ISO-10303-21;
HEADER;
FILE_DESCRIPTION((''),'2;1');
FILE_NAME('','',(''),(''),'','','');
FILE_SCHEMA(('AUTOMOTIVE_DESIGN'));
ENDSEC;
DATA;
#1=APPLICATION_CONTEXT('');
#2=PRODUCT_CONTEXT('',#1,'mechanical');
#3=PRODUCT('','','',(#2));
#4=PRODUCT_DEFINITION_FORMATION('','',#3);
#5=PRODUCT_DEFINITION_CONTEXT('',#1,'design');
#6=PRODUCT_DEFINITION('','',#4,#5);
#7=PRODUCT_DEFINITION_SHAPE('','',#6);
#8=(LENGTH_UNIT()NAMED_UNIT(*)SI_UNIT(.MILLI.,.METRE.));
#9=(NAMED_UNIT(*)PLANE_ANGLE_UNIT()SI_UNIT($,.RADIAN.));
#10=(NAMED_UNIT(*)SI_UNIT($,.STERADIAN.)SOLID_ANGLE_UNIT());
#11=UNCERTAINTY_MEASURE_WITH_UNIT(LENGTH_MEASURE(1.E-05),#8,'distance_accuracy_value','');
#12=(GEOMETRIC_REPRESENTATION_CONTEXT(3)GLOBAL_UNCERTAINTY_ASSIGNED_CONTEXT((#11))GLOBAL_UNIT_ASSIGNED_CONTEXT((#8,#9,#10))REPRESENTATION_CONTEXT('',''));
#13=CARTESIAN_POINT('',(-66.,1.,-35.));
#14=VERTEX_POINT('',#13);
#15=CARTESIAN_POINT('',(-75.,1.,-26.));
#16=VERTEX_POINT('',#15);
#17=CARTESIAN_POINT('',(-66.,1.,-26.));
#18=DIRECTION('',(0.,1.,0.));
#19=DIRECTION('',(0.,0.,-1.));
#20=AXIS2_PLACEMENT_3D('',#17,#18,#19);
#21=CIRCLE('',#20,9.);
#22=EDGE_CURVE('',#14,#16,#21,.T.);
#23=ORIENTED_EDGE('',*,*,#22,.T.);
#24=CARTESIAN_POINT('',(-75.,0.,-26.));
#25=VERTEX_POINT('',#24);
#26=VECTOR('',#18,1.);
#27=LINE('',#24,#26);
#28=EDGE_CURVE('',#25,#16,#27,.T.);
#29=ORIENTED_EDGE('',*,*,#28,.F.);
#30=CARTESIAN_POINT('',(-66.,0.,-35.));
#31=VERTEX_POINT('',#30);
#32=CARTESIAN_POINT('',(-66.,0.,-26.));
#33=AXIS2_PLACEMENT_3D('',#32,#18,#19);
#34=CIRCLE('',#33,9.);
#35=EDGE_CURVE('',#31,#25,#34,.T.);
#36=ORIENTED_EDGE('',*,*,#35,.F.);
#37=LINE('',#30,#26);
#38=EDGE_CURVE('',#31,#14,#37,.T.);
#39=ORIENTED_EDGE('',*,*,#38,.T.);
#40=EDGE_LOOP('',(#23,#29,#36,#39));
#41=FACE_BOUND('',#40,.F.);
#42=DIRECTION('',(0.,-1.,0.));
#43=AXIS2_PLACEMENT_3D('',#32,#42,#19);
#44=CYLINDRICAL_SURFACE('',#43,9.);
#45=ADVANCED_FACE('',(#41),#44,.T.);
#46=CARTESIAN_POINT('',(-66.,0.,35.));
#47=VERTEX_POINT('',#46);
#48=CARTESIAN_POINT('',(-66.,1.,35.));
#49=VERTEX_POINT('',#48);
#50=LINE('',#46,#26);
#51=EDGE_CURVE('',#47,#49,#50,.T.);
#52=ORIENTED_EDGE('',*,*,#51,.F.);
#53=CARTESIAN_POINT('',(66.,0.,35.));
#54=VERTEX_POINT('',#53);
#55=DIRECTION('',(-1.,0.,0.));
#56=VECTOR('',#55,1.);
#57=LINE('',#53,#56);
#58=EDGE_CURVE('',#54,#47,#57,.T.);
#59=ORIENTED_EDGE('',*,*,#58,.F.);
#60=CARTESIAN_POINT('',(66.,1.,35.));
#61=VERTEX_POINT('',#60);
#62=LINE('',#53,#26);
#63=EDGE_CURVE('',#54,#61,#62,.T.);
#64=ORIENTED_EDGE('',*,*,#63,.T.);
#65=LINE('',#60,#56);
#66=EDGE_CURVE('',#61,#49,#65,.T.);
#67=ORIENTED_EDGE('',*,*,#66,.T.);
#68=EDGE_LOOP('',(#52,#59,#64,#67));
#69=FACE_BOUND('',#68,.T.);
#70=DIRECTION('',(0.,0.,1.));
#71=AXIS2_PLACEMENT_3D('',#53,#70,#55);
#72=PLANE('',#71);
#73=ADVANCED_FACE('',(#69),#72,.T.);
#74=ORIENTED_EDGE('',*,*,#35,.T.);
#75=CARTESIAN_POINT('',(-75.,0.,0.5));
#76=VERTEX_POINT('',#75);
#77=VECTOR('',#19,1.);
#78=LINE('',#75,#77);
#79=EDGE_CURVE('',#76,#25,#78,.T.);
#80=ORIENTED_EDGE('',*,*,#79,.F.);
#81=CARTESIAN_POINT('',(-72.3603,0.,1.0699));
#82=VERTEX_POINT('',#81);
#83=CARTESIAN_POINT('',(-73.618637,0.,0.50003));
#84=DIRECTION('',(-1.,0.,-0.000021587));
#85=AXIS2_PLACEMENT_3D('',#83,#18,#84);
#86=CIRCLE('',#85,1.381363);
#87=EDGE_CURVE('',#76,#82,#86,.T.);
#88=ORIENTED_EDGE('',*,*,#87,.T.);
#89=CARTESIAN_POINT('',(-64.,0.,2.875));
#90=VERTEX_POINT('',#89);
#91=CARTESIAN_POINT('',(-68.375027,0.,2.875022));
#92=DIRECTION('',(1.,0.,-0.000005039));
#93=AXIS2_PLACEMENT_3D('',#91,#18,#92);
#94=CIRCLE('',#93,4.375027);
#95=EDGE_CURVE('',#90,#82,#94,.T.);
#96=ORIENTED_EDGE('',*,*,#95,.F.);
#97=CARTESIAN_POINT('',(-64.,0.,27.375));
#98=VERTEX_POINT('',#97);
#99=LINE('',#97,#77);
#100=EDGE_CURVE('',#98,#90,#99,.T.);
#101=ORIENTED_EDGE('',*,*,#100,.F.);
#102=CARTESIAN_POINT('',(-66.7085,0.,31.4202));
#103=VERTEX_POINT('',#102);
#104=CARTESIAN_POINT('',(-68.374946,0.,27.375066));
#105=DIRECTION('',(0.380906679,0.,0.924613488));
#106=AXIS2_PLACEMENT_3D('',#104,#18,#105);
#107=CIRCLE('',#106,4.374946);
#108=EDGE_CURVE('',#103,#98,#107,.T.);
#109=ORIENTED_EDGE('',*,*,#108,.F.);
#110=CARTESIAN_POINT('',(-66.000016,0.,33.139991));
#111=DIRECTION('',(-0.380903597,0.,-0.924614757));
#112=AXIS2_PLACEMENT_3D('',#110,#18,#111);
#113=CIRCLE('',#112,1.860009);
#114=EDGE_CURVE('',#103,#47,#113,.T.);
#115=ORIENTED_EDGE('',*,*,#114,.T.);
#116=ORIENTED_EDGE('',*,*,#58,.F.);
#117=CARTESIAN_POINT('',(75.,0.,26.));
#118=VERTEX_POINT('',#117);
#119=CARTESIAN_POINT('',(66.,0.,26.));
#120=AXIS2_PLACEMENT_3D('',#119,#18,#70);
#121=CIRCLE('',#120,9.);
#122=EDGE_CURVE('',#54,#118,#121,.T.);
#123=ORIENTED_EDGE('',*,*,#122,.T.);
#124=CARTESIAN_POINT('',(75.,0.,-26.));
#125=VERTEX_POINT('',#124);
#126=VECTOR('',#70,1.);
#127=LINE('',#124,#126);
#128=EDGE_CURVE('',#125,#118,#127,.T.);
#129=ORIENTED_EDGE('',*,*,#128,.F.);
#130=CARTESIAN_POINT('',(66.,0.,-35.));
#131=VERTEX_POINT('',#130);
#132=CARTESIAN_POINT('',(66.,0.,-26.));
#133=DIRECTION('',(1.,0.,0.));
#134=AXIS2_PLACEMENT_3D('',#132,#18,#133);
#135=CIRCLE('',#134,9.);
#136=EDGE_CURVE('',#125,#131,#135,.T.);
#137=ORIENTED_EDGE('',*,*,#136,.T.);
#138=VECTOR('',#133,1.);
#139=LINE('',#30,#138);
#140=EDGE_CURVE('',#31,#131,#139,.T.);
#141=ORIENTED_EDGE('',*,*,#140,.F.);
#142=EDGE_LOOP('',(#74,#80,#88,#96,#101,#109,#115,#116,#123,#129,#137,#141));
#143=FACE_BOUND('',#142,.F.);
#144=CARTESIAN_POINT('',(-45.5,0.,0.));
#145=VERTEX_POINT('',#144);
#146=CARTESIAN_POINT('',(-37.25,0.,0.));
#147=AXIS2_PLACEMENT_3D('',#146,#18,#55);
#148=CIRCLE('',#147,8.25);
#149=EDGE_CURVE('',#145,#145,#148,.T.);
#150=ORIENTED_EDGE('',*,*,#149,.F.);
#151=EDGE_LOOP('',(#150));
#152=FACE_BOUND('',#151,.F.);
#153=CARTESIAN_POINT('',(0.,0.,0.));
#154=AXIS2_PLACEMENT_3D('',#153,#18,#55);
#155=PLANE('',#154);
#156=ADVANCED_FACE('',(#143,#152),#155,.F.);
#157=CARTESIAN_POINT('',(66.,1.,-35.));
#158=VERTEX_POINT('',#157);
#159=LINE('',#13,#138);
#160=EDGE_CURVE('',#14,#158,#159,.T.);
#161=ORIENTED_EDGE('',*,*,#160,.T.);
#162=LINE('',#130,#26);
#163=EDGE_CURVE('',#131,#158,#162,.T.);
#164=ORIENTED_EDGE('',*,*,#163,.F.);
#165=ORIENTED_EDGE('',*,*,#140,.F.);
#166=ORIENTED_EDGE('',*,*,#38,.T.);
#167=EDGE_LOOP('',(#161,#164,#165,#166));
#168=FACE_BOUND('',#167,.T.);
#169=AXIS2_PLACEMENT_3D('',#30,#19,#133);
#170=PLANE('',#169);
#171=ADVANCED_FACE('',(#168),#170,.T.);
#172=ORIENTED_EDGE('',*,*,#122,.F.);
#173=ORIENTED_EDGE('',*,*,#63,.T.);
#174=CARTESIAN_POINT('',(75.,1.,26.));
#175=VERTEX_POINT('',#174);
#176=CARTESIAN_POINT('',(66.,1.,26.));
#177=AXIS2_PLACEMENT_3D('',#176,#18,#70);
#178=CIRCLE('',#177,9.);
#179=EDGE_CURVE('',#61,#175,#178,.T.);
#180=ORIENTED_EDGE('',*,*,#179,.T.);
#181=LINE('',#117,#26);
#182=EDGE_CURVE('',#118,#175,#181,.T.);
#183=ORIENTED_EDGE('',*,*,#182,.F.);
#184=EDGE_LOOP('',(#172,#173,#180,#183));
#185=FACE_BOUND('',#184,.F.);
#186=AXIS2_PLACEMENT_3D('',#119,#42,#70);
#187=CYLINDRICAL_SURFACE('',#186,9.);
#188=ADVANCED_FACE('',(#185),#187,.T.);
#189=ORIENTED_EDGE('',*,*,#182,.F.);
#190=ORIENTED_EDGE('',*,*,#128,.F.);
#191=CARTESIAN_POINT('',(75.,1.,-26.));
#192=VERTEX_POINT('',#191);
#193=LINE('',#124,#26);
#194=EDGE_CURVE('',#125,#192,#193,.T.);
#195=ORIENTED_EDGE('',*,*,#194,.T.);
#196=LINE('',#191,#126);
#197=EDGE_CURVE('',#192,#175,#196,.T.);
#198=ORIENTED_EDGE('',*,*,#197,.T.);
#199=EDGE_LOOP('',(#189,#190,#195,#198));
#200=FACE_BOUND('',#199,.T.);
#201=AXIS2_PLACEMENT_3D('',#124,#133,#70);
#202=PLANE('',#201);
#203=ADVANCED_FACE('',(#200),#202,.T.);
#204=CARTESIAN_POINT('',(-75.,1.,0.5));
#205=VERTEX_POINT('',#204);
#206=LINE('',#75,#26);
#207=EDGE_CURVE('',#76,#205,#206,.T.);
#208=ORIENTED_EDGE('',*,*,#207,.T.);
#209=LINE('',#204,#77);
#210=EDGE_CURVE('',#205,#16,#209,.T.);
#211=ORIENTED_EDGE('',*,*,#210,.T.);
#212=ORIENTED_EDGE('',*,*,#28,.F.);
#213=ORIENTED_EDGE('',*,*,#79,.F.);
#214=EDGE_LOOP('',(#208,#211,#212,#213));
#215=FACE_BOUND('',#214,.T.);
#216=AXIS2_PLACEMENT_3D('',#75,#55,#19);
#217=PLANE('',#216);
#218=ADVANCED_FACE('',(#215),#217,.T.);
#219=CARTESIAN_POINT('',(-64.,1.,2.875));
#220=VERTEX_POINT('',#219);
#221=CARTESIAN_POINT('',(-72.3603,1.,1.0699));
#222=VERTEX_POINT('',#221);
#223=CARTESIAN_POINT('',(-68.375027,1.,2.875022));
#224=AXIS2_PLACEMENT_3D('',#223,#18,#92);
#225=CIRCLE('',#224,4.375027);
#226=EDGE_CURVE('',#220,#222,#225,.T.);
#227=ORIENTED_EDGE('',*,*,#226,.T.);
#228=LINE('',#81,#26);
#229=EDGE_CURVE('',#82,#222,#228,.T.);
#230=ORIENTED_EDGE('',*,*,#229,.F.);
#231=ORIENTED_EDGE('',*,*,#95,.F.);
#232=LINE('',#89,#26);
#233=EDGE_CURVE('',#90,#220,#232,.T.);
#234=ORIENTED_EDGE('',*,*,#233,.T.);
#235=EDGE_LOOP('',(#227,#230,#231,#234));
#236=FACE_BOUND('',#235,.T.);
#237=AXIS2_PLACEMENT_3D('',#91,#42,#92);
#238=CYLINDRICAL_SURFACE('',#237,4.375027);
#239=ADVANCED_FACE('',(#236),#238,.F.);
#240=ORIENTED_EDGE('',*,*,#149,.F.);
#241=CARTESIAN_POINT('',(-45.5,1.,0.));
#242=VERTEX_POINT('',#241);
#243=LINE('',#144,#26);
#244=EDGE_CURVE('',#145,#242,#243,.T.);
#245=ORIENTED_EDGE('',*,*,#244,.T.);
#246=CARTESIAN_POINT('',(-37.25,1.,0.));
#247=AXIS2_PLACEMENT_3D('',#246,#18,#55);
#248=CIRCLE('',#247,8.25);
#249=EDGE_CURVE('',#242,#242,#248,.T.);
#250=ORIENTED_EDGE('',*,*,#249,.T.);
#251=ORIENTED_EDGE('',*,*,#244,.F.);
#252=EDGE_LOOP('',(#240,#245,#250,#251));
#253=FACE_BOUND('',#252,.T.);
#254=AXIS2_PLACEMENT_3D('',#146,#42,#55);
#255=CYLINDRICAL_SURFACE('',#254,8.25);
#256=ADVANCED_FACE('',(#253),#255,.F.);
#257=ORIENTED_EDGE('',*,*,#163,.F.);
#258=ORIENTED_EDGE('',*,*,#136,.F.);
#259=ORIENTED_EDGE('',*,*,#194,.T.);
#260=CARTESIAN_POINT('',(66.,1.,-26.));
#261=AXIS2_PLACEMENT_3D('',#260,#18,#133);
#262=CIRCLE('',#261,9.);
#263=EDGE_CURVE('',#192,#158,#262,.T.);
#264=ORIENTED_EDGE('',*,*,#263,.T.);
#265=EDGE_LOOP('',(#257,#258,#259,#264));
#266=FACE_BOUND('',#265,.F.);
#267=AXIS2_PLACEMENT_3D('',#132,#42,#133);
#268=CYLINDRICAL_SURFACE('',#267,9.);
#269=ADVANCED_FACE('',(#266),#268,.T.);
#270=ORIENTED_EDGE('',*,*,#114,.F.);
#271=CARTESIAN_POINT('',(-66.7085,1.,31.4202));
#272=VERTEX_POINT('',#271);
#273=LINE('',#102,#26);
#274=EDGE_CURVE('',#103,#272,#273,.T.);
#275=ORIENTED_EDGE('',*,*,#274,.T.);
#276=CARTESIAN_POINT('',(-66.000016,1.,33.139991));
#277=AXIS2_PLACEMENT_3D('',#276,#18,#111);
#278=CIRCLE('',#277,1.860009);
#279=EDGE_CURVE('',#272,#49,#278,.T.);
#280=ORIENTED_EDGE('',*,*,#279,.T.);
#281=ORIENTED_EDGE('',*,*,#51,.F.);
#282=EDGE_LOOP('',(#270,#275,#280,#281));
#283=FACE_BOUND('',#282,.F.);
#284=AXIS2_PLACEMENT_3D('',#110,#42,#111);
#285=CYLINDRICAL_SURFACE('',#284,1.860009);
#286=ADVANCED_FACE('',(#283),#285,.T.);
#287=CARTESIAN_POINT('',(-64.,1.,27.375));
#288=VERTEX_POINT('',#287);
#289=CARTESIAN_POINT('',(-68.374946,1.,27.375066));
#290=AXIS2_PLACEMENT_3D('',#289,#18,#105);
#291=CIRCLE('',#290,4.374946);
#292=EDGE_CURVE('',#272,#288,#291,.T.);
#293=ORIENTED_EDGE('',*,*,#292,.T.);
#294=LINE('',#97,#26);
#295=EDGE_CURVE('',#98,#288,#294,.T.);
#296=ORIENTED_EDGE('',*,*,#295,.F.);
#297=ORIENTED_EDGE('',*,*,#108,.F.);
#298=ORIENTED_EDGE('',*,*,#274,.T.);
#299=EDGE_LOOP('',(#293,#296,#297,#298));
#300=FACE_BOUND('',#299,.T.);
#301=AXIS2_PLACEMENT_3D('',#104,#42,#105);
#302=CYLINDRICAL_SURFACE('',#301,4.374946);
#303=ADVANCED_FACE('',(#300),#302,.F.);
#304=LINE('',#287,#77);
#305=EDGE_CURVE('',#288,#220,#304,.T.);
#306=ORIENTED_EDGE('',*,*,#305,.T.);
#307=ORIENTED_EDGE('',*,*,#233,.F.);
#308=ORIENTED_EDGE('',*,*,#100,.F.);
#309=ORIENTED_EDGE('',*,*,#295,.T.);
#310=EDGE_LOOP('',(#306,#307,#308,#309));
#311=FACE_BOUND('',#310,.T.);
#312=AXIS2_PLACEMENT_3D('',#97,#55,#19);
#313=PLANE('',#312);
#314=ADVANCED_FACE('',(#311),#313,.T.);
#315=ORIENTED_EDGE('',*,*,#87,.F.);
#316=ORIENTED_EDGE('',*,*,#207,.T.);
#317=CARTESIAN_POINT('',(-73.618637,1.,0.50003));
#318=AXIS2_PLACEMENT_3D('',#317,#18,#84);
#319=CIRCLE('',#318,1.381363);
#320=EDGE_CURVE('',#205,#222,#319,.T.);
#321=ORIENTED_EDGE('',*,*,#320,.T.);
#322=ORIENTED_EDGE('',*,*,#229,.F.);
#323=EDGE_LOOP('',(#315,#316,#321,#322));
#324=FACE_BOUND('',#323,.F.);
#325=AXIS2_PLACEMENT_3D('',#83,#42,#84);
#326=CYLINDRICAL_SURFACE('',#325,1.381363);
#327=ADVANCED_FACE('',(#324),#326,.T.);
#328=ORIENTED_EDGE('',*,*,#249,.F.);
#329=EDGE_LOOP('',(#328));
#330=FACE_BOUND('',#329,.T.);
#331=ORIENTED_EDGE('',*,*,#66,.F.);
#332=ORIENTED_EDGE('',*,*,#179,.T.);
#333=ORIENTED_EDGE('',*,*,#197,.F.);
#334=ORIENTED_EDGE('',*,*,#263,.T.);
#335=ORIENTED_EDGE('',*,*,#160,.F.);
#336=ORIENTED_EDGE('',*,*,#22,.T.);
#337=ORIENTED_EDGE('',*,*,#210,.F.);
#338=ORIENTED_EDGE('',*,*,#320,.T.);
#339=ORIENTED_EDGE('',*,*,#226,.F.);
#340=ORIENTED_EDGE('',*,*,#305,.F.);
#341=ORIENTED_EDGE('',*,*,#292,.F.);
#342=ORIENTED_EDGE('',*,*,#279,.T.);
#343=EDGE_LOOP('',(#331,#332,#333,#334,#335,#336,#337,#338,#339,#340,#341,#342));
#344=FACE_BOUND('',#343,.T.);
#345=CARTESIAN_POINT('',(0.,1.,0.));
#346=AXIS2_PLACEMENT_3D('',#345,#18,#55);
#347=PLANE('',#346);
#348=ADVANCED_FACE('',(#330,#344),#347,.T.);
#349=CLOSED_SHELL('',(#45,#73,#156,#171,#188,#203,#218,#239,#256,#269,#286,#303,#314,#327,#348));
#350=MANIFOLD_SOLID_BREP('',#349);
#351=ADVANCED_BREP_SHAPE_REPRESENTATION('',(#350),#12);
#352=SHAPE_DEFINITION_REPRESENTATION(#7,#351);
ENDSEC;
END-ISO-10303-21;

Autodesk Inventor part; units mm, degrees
ref_plane "YZ Plane" through (0, 0, 0) normal (1, 0, 0) x (0, 1, 0)
ref_plane "XZ Plane" through (0, 0, 0) normal (0, 1, 0) x (-1, 0, 0)
ref_plane "XY Plane" through (0, 0, 0) normal (0, 0, 1) x (1, 0, 0)
sketch "Sketch1" plane through (0, 0, 0) normal (0, 1, 0) x (-1, 0, 0)
  line L0 (-75, 35) -> (-66, 35) construction
  line L1 (75, 35) -> (75, 26) construction
  line L2 (75, -35) -> (66, -35) construction
  line L3 (-75, -35) -> (-75, -26) construction
  line L4 (-75, 35) -> (75, -35) construction
  line L5 (75, 35) -> (-75, -35) construction
  arc A0 (75, 26) -> (66, 35) centre (66, 26) ccw construction
  arc A1 (66, -35) -> (75, -26) centre (66, -26) ccw
  arc A2 (-75, -26) -> (-66, -35) centre (-66, -26) ccw
  arc A3 (-66, 35) -> (-75, 26) centre (-66, 26) ccw
  line L6 (75, 26) -> (75, 0.5) construction
  line L7 (66, 35) -> (75, 35) construction
  line L8 (-66, 35) -> (66, 35)
  line L9 (-75, 26) -> (-75, 35) construction
  line L10 (-75, -26) -> (-75, 26)
  line L11 (-66, -35) -> (-75, -35) construction
  line L12 (66, -35) -> (-66, -35)
  line L13 (75, -26) -> (75, -35) construction
  circle A4 centre (37.25, 0) radius 8.25
  line L14 (64, 27.375) -> (64, 2.875)
  arc A5 (66.7085, 31.4202) -> (66, 35) centre (66, 33.14) ccw
  arc A6 (64, 2.875) -> (72.3603, 1.0699) centre (68.375, 2.875) ccw
  arc A7 (75, 0.5) -> (72.3603, 1.0699) centre (73.6186, 0.5) ccw
  line L15 (66, 35) -> (66, 35) construction
  line L16 (75, 0.5) -> (75, -26)
  arc A8 (66.7085, 31.4202) -> (64, 27.375) centre (68.375, 27.375) ccw
  point P0 (0, 0)
  point P1 (0, 0)
  dimension "d3" = 70
  dimension "d4" = 150
  dimension "d5" = 16.5
  dimension "d6" = 29.5
  dimension "d7" = 11
  dimension "d10" = 4.375
  dimension "d14" = 36.5
  dimension "d15" = 3.25
  dimension "d17" = 2.375
  dimension "d19" = 9
  dimension "d21" = 2.375
extrude "Extrusion1" add sketch "Sketch1" along normal blind 1
properties part number "Google Pixel - Clear Case Cutout"
